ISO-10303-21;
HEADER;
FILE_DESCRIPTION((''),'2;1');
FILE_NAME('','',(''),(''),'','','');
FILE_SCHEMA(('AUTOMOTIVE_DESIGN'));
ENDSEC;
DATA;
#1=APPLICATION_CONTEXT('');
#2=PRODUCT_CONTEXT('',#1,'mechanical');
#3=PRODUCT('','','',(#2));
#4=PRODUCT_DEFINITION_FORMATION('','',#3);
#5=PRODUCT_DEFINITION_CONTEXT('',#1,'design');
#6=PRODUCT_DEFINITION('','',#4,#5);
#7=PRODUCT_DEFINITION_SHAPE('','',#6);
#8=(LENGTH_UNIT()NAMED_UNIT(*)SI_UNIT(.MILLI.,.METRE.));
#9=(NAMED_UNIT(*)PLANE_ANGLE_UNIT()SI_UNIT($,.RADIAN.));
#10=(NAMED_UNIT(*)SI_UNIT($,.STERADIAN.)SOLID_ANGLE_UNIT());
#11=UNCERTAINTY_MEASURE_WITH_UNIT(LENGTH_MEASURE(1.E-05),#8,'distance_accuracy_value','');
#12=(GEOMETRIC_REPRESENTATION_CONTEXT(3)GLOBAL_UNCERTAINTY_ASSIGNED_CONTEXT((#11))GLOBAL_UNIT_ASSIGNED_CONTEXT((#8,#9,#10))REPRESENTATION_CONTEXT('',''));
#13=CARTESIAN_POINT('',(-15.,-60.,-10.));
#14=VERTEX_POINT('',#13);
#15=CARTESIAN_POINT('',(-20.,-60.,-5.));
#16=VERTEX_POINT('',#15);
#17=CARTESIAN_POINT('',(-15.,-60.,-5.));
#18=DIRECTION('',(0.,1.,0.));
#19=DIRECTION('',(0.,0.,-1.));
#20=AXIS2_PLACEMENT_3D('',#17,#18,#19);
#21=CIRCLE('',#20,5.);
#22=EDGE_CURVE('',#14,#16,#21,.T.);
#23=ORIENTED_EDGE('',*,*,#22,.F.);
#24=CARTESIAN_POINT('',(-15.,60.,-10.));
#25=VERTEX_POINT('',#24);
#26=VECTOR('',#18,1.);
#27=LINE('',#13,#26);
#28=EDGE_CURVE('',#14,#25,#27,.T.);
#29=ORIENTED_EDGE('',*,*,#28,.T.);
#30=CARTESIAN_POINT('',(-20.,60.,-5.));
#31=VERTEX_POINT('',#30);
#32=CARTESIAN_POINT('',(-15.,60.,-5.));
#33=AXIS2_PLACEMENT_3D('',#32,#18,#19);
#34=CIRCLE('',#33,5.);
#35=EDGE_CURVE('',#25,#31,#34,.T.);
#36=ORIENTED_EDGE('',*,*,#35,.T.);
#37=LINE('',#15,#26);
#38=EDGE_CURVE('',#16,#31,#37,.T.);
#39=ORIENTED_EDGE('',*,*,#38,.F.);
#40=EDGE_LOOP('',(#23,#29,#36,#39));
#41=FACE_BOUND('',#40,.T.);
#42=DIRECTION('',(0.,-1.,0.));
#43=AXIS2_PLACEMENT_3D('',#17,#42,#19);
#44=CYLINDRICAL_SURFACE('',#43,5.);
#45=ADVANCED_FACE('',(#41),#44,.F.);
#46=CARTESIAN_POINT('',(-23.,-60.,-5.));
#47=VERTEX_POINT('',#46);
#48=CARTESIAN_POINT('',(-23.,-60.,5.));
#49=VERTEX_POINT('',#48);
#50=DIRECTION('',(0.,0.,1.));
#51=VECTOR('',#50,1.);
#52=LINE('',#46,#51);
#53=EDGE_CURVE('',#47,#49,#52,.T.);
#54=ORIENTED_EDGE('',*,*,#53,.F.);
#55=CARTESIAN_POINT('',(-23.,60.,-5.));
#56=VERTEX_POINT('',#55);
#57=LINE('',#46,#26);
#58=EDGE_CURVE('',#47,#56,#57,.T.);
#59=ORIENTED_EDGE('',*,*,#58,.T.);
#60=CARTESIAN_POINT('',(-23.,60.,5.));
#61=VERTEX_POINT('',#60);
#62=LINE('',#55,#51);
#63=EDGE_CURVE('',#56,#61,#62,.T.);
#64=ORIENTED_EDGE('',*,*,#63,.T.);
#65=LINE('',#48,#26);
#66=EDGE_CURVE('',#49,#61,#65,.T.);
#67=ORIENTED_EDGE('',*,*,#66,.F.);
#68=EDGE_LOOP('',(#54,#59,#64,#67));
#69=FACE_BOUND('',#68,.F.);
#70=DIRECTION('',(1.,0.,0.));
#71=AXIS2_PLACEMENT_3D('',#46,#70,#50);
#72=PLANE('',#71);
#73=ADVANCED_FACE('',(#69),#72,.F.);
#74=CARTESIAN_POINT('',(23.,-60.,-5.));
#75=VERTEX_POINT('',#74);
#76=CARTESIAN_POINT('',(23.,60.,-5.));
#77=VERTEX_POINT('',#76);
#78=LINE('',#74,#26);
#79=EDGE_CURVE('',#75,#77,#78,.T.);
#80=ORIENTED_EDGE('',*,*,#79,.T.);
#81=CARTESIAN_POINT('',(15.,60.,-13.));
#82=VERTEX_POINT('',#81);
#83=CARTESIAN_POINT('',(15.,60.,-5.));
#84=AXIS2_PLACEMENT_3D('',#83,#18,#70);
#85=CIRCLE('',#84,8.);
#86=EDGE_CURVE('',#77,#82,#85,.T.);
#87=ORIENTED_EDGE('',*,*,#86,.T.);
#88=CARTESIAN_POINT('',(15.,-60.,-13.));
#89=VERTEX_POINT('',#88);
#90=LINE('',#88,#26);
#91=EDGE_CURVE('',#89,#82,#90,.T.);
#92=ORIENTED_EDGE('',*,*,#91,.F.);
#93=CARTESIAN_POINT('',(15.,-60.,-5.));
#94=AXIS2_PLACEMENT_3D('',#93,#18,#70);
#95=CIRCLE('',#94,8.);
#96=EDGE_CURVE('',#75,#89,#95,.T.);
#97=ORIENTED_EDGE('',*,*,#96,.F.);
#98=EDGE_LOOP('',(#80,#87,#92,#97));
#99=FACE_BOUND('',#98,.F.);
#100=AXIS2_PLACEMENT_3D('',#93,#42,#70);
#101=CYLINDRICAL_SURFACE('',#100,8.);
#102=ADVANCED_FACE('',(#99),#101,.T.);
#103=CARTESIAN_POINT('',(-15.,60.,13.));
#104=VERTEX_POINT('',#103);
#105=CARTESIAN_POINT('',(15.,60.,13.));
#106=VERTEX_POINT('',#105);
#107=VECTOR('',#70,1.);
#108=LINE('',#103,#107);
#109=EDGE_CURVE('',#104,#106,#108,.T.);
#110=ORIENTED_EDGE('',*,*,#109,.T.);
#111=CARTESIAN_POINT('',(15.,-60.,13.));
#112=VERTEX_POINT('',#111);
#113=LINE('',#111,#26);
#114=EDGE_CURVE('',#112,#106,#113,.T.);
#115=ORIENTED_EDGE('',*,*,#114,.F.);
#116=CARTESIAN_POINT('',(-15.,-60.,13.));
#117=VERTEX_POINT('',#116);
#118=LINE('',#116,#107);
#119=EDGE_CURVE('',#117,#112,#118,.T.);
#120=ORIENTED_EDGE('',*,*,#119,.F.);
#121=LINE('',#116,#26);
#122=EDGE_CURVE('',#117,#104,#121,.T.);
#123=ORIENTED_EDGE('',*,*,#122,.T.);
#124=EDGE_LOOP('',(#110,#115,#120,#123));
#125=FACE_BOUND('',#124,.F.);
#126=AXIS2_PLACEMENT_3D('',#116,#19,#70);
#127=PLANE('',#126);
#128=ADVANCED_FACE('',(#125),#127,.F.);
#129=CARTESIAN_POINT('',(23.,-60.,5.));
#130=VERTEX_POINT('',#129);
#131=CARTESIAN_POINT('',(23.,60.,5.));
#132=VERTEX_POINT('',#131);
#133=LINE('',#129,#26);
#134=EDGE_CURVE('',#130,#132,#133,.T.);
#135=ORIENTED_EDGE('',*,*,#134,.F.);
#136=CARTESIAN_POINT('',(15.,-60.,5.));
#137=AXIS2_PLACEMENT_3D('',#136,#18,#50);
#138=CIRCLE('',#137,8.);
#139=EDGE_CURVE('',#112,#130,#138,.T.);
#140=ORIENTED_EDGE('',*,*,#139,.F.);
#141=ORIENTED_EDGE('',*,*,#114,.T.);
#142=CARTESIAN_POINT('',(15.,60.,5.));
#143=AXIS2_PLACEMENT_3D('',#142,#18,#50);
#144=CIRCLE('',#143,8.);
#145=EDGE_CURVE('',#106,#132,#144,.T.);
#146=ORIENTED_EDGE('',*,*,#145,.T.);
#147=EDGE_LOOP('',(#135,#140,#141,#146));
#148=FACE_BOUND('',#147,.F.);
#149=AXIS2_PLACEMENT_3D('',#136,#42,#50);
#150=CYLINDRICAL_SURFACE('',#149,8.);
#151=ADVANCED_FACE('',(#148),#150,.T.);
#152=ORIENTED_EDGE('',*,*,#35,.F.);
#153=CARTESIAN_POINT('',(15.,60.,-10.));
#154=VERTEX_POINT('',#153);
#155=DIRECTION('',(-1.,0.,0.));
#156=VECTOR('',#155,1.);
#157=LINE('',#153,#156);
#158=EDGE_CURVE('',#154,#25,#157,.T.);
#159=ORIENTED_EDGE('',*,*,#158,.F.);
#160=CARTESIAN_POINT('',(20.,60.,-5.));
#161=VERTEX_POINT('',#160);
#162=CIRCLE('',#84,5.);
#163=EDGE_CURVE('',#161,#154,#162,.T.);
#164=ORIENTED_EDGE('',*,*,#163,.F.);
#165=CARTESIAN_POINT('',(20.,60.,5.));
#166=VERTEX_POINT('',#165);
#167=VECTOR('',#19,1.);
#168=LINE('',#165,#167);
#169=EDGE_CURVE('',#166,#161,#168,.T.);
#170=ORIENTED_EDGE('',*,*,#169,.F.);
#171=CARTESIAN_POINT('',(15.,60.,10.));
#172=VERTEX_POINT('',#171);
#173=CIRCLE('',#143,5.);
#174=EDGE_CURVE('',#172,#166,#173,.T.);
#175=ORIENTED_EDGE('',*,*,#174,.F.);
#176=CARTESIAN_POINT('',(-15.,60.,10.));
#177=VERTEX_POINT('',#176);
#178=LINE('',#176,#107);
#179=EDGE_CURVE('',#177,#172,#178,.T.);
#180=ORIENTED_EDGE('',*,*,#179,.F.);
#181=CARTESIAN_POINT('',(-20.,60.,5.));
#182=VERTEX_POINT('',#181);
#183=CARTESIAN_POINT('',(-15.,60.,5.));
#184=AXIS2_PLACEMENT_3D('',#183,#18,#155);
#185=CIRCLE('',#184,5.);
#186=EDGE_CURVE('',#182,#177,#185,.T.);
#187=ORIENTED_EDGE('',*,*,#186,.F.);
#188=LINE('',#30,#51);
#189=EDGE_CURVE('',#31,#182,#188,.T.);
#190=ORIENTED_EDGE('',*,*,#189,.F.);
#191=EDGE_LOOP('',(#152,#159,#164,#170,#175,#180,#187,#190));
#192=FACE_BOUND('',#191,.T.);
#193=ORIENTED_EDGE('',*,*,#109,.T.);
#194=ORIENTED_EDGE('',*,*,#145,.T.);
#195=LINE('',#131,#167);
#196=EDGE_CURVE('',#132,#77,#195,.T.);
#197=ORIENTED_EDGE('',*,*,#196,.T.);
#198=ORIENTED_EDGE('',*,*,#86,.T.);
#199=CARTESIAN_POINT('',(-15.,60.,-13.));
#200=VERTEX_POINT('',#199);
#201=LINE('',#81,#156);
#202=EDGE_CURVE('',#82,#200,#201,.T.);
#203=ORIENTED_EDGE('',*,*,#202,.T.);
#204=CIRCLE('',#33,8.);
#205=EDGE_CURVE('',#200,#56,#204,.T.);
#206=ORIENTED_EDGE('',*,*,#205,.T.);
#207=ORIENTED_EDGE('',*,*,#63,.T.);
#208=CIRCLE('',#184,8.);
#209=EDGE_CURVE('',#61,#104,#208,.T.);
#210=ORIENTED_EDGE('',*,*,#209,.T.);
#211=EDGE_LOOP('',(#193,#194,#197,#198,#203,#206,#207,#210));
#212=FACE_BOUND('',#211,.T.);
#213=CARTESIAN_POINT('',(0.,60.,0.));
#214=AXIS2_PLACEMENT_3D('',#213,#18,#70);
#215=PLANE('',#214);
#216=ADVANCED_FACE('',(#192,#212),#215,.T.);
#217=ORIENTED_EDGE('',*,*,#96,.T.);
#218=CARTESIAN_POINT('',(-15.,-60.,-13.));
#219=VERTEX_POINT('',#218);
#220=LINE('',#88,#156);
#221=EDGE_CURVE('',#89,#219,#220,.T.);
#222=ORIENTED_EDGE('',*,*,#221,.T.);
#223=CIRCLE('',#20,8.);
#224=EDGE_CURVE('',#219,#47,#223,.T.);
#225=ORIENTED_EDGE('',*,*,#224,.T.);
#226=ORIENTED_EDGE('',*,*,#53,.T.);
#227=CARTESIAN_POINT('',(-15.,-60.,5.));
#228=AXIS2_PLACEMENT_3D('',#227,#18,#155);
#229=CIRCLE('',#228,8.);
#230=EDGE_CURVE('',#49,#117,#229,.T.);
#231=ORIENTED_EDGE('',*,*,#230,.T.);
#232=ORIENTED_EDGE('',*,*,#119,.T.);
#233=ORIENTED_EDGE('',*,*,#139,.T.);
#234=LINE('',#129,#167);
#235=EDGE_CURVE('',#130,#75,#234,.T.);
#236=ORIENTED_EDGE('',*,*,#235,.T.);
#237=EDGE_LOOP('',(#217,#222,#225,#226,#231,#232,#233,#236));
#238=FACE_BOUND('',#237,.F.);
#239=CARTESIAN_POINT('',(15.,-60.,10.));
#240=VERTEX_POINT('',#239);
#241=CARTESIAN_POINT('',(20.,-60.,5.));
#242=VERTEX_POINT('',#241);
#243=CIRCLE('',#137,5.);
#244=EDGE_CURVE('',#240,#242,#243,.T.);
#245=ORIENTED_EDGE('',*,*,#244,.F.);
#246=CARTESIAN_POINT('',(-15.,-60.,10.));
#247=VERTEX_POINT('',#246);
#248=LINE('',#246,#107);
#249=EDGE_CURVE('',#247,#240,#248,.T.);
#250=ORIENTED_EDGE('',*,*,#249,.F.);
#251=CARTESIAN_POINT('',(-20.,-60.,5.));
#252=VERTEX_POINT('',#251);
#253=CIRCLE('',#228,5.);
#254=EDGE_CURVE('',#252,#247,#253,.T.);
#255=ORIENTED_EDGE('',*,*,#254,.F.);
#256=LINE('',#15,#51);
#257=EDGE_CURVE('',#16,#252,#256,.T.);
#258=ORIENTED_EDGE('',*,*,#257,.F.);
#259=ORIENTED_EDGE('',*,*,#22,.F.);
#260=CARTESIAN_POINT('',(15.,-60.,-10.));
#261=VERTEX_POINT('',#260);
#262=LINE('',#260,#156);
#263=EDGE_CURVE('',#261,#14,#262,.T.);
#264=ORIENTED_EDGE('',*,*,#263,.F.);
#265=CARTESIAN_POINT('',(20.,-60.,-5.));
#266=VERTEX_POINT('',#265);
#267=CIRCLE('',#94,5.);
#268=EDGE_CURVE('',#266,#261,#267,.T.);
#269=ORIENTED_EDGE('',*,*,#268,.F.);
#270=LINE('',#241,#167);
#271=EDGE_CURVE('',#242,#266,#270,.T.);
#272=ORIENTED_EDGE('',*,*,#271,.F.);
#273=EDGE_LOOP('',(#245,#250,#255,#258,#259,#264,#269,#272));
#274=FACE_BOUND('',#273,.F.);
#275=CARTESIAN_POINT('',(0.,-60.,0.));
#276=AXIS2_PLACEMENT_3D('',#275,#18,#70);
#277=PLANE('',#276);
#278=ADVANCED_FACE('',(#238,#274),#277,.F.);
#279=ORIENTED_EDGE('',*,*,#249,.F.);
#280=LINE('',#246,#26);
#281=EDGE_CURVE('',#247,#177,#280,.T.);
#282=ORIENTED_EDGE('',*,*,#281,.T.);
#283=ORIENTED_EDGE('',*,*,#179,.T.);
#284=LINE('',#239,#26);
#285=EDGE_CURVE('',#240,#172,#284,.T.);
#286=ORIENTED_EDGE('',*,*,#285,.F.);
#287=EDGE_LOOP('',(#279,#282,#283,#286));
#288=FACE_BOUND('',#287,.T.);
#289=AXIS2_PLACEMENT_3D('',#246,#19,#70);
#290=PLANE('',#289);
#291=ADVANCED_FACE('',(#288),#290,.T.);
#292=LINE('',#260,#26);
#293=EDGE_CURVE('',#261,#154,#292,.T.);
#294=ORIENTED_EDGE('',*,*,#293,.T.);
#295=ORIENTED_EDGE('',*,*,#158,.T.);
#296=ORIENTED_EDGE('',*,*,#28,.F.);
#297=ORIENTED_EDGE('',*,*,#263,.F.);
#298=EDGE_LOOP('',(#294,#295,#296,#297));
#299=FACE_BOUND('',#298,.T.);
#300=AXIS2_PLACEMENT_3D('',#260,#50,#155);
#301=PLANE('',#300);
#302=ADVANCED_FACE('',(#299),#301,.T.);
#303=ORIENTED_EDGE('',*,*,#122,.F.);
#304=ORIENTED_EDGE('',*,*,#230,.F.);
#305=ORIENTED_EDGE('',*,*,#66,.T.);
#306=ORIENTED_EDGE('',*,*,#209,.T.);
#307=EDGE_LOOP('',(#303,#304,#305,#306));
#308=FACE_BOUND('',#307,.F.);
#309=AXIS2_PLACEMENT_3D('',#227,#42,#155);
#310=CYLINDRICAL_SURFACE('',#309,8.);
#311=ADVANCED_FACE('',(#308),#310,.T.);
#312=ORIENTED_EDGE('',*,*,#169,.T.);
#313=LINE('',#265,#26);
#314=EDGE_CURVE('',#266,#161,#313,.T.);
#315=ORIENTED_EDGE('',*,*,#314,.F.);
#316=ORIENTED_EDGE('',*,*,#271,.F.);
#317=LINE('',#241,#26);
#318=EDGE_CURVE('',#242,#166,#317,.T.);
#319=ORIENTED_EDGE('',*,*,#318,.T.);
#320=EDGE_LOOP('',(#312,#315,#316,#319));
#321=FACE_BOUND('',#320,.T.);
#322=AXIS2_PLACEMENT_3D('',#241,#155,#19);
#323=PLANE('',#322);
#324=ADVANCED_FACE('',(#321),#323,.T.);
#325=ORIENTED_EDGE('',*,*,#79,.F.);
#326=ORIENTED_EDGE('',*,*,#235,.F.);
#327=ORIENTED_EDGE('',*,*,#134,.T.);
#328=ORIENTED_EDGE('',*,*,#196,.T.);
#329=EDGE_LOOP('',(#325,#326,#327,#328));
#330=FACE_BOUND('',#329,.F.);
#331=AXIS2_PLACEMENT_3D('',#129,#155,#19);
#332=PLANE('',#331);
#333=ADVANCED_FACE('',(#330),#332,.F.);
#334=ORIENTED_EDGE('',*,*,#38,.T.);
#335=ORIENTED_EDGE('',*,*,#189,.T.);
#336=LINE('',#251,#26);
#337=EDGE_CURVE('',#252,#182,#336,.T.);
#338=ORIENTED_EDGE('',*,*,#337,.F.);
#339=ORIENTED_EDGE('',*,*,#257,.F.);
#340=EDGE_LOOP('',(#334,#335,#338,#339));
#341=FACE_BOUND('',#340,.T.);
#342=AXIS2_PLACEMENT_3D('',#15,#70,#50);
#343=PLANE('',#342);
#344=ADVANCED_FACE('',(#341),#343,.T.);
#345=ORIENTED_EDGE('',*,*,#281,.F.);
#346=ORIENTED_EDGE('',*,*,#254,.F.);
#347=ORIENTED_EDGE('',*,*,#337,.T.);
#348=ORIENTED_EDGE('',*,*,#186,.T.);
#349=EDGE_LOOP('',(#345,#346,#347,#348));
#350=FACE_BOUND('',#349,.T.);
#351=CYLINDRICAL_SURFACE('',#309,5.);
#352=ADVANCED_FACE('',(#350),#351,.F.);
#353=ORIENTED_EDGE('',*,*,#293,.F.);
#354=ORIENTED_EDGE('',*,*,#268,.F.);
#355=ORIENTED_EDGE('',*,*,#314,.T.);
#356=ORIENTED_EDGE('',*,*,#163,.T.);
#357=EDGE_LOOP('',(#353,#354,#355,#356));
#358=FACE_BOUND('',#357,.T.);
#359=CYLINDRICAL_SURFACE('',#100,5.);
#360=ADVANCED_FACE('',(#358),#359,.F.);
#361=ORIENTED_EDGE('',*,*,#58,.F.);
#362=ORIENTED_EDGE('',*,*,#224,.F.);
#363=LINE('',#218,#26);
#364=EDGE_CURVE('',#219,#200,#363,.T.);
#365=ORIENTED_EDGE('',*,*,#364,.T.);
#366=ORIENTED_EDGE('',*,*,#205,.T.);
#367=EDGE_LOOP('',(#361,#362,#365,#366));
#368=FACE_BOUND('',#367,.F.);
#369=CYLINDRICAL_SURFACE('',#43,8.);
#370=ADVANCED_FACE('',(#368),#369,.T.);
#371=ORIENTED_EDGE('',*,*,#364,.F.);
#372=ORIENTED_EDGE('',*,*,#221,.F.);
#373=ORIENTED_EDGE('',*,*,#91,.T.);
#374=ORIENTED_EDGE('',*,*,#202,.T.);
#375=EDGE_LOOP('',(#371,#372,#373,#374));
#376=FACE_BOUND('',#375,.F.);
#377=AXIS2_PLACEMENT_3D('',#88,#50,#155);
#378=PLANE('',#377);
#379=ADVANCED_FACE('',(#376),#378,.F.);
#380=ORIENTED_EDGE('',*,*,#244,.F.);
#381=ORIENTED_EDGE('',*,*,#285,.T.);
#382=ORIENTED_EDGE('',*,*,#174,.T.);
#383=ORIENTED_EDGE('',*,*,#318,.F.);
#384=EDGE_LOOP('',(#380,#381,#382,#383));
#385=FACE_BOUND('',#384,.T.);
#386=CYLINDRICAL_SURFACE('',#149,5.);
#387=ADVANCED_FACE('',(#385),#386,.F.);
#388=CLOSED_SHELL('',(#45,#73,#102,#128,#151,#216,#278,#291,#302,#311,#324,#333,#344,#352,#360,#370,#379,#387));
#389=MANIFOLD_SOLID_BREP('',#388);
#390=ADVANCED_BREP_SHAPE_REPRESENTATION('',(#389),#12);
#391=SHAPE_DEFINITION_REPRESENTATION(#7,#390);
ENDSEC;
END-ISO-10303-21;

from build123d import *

# Parameters (mm, degrees)
EXTRUDE_THIN2_START = -60
EXTRUDE_THIN2_DEPTH = 120


with BuildPart() as part:
    # Sketch1 → Extrude-Thin2 (new body)
    with BuildSketch(Plane(origin=(0, 0, 0), x_dir=(1, 0, 0), z_dir=(0, 1, 0)).offset(EXTRUDE_THIN2_START)):
        with BuildLine():
            Line((15, 13), (-15, 13))
            ThreePointArc((-15, 13), (-20.656854249, 10.656854249), (-23, 5))
            Line((-23, 5), (-23, -5))
            ThreePointArc((-23, -5), (-20.656854249, -10.656854249), (-15, -13))
            Line((-15, -13), (15, -13))
            ThreePointArc((15, -13), (20.656854249, -10.656854249), (23, -5))
            Line((23, -5), (23, 5))
            ThreePointArc((23, 5), (20.656854249, 10.656854249), (15, 13))
        make_face()
        with BuildLine():
            Line((15, 10), (-15, 10))
            ThreePointArc((-15, 10), (-18.535533906, 8.535533906), (-20, 5))
            Line((-20, 5), (-20, -5))
            ThreePointArc((-20, -5), (-18.535533906, -8.535533906), (-15, -10))
            Line((-15, -10), (15, -10))
            ThreePointArc((15, -10), (18.535533906, -8.535533906), (20, -5))
            Line((20, -5), (20, 5))
            ThreePointArc((20, 5), (18.535533906, 8.535533906), (15, 10))
        make_face(mode=Mode.SUBTRACT)
    extrude(amount=EXTRUDE_THIN2_DEPTH)


solid = part.part
